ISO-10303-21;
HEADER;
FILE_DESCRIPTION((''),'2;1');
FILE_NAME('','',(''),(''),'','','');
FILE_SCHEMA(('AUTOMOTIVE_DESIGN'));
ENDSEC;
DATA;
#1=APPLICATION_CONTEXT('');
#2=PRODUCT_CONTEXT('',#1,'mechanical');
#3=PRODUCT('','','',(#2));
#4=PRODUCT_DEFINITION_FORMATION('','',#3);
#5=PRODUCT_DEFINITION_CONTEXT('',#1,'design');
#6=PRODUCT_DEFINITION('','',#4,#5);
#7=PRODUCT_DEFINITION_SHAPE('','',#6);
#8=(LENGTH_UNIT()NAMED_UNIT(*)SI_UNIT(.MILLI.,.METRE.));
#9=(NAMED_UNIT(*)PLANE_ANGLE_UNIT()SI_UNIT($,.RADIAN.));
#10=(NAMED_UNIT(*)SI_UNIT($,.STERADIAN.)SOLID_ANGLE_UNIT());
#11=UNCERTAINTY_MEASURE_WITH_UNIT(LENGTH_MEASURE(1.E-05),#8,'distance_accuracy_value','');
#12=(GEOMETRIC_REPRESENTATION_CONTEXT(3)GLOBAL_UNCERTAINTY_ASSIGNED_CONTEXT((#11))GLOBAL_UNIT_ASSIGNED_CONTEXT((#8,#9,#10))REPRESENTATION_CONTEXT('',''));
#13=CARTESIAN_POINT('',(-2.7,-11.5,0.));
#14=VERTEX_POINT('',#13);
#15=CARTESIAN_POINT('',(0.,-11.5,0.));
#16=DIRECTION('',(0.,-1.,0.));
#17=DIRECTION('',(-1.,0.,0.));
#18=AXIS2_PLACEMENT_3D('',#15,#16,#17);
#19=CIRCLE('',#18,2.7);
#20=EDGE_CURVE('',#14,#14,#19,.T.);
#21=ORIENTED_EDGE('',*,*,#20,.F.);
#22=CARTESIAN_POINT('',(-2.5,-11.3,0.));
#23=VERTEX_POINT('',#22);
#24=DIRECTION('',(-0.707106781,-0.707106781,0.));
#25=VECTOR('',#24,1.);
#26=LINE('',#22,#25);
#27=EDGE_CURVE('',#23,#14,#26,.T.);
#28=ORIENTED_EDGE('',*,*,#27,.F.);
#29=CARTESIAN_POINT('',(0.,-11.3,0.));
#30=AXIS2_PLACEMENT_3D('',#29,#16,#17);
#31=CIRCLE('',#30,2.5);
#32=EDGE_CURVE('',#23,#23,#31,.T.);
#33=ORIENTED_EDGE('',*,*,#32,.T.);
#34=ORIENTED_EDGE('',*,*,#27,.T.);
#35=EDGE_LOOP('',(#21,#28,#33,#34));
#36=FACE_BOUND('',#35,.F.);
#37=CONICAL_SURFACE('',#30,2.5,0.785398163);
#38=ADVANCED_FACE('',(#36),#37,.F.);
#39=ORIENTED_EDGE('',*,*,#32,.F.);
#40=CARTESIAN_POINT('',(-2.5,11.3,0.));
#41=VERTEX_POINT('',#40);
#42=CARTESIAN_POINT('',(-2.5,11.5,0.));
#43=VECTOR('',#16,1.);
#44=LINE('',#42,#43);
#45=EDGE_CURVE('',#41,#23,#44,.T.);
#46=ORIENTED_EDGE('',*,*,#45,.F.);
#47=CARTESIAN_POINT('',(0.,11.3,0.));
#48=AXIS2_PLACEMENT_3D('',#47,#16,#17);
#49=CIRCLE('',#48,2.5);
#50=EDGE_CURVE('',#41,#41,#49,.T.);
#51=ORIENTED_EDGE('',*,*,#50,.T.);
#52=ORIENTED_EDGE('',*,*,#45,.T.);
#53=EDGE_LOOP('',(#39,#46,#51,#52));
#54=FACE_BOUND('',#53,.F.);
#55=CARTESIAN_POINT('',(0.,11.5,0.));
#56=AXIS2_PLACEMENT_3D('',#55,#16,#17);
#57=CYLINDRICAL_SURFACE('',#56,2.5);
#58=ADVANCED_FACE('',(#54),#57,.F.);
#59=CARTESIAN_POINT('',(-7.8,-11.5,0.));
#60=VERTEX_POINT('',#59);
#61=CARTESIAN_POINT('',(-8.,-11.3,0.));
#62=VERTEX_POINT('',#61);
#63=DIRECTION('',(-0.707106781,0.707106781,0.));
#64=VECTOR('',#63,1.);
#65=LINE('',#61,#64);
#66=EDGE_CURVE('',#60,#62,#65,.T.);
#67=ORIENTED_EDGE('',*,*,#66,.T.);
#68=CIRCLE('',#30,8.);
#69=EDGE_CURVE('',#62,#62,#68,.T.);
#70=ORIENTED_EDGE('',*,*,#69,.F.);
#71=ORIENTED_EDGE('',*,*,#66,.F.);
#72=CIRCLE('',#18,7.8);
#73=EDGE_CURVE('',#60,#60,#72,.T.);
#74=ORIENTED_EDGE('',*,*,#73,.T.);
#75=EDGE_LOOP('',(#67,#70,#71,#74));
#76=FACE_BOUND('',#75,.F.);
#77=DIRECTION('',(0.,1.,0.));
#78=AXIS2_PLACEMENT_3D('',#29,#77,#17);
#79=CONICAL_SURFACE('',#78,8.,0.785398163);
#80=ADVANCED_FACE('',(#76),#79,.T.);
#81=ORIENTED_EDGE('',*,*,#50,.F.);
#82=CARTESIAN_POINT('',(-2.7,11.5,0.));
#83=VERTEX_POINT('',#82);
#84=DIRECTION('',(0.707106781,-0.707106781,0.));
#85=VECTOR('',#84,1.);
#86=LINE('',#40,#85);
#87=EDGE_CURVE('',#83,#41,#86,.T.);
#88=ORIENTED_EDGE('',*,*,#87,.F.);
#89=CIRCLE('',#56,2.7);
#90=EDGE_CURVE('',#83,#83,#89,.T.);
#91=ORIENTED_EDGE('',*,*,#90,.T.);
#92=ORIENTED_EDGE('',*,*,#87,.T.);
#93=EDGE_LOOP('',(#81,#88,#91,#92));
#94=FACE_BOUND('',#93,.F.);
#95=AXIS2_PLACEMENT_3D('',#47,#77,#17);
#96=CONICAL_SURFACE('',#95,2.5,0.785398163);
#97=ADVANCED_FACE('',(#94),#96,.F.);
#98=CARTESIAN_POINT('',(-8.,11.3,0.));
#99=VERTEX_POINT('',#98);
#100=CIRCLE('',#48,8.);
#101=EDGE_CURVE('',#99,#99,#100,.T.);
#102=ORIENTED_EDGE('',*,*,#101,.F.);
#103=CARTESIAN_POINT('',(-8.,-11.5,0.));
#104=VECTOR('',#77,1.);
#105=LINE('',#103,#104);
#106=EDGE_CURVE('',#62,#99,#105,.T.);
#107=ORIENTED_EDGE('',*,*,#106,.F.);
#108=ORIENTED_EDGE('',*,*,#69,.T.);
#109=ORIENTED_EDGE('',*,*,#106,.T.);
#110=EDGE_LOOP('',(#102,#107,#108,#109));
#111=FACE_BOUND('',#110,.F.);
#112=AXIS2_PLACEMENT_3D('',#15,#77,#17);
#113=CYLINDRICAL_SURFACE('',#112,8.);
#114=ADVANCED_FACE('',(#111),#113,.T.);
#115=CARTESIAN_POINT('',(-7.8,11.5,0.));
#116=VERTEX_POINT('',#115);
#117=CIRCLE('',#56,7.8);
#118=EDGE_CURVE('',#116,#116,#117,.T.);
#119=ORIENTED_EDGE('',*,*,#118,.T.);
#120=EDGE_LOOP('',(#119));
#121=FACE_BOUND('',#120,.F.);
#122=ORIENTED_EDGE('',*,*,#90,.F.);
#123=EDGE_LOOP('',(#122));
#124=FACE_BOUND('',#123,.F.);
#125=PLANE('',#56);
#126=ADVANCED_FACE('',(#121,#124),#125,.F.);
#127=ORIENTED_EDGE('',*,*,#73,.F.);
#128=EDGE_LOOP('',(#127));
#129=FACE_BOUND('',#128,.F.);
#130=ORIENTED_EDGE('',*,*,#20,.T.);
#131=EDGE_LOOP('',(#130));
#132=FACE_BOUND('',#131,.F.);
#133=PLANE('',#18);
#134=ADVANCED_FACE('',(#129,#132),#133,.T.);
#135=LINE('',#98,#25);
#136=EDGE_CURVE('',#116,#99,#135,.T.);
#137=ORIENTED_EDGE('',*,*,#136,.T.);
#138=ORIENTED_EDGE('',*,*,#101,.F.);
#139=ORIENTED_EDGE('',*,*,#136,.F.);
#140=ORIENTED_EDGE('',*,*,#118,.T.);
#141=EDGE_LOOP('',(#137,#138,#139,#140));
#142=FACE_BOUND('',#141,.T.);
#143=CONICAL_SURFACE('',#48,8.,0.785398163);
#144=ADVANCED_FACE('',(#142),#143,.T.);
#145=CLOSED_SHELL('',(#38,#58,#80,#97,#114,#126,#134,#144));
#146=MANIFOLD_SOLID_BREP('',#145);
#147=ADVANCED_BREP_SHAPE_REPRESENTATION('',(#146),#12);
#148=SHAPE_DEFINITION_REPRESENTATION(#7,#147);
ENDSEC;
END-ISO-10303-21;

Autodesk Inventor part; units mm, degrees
ref_plane "YZ Plane" through (0, 0, 0) normal (1, 0, 0) x (0, 1, 0)
ref_plane "XZ Plane" through (0, 0, 0) normal (0, 1, 0) x (-1, 0, 0)
ref_plane "XY Plane" through (0, 0, 0) normal (0, 0, 1) x (1, 0, 0)
sketch "Skizze1" plane through (0, 0, 0) normal (0, 0, 1) x (1, 0, 0)
  line L0 (-8, 11.5) -> (-2.5, 11.5)
  line L1 (-2.5, 11.5) -> (-2.5, -11.5)
  line L2 (-2.5, -11.5) -> (-8, -11.5)
  line L3 (-8, -11.5) -> (-8, 11.5)
  line L4 (0, 11.5) -> (0, -11.5) construction
  point P0 (0, 0)
  point P1 (0, 0)
  dimension "d0" = 5
  dimension "d1" = 16
  dimension "d2" = 23
revolve "Umdrehung1" add sketch "Skizze1" angle 360 about axis through (0, 11.5, 0) along (0, -1, 0)
chamfer "Fasen1" distance 0.2 angle 45 4 edges at (8, 11.5, 0) (2.5, 11.5, 0) (8, -11.5, 0) (2.5, -11.5, 0)
properties part number "DWSSS-D16-V5-L23" material "Edelstahl"
